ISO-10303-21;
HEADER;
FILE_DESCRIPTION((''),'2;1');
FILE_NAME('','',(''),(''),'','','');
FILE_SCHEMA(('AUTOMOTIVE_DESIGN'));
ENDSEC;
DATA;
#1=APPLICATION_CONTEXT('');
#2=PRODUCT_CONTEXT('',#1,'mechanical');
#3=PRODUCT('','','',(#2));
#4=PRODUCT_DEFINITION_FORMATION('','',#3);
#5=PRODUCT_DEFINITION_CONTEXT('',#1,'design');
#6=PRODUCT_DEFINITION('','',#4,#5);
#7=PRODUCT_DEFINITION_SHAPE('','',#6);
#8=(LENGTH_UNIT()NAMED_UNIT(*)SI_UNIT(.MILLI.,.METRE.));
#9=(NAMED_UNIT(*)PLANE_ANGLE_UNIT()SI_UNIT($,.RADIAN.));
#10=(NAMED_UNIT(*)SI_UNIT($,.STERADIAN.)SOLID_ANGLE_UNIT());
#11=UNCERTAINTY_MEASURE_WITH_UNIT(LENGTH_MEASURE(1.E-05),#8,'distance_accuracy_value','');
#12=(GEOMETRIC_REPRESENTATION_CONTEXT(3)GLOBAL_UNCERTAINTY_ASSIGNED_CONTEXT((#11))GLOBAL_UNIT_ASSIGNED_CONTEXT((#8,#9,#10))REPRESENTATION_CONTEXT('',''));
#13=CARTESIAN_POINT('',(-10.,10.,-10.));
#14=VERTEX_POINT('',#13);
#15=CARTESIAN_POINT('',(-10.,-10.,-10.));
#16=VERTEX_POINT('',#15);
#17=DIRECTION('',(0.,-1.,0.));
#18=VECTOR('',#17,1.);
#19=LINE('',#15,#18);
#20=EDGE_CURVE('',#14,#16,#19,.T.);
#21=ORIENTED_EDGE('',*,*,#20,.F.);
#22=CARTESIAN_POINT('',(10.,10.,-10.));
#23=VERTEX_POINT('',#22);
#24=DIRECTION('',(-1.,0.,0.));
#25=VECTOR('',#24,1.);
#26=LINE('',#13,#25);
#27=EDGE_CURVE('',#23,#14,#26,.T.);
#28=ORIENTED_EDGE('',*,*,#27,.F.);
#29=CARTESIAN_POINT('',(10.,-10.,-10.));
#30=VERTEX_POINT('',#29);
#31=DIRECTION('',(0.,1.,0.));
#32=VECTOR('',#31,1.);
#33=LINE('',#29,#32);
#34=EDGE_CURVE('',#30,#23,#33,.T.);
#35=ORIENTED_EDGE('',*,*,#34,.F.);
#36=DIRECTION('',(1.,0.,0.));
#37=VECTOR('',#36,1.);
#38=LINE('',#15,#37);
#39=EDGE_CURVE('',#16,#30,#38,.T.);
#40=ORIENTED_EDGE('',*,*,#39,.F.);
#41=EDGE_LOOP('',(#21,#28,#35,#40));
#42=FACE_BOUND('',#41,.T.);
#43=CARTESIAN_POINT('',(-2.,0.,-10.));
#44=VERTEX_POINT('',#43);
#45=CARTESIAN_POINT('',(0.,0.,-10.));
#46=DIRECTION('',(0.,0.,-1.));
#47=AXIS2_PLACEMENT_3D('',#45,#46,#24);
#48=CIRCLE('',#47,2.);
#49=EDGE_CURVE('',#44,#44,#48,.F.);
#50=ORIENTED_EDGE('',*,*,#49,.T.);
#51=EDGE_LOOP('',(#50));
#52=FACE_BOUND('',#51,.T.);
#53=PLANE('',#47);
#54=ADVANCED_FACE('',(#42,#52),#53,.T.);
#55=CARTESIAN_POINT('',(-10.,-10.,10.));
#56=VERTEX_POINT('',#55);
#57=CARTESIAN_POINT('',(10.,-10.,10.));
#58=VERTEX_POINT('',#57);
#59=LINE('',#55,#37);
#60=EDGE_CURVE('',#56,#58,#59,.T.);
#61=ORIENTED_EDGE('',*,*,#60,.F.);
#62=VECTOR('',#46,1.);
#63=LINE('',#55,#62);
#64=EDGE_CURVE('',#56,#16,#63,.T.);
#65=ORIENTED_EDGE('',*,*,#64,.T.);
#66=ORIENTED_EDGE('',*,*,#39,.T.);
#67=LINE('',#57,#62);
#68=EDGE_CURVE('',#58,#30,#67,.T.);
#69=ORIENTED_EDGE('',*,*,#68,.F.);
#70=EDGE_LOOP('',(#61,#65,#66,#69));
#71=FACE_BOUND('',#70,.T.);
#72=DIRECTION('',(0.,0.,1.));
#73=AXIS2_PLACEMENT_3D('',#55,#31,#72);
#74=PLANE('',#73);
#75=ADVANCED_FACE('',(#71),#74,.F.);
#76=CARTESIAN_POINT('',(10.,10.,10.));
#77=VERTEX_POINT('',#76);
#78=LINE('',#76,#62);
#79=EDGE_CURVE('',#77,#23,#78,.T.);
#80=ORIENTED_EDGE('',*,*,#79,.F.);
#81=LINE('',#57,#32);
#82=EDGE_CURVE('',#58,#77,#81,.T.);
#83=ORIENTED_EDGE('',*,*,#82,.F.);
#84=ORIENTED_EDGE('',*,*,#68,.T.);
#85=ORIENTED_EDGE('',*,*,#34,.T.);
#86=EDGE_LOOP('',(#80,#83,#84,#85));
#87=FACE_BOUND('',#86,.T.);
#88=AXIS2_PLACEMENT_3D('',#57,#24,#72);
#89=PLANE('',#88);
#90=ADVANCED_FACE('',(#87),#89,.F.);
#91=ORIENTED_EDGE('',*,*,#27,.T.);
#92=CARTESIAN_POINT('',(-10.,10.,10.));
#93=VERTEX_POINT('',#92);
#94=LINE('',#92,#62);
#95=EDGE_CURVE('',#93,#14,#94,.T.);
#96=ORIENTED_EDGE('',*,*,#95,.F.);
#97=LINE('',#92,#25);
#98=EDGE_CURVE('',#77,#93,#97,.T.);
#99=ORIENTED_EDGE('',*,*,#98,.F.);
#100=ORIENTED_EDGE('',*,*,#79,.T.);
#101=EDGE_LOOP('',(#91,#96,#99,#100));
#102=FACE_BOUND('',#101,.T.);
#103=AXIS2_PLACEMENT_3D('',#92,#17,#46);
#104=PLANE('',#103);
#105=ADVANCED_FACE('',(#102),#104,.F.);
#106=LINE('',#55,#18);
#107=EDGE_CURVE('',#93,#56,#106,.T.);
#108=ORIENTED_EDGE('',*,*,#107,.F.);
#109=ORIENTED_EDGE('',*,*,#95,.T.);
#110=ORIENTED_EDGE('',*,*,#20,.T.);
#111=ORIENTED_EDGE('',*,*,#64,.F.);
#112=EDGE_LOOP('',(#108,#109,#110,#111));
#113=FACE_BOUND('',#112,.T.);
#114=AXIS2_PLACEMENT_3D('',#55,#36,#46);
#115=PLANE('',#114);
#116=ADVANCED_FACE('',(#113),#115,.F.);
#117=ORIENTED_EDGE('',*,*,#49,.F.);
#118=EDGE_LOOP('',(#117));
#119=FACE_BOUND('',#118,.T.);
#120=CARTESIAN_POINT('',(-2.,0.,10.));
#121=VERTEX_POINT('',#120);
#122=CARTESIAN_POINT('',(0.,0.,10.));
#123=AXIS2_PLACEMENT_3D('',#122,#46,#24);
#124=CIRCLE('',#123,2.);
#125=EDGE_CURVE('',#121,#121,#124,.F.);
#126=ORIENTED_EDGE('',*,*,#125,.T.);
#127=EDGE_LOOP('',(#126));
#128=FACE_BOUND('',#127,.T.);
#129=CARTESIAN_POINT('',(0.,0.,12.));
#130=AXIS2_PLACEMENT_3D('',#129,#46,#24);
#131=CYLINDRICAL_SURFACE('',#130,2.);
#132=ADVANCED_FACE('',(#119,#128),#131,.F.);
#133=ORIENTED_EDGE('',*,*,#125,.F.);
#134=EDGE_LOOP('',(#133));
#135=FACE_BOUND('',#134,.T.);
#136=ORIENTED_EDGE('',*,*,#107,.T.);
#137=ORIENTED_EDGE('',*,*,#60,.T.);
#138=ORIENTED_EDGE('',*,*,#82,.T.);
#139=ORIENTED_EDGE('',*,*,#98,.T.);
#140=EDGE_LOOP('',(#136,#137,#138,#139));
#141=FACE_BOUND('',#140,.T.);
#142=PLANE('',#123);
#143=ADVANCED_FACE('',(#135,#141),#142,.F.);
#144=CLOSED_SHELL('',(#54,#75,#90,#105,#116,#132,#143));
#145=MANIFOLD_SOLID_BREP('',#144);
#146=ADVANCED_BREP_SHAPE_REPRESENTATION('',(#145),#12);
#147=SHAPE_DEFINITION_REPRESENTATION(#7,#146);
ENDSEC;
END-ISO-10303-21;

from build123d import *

# Parameters (mm, degrees)
TEST_BOX_START     = -10
TEST_BOX_PROFILE_W = 20
TEST_BOX_PROFILE_H = 20
TEST_BOX_DEPTH     = 20
TEST_CUT_START     = -12
TEST_CUT_PROFILE_R = 2
TEST_CUT_DEPTH     = 24


with BuildPart() as part:
    # Test_box_Profile → Test_box (new body)
    with BuildSketch(Plane.XY.offset(TEST_BOX_START)):
        Rectangle(TEST_BOX_PROFILE_W, TEST_BOX_PROFILE_H)
    extrude(amount=TEST_BOX_DEPTH)

    # Test_cut_Profile → Test_cut (cut)
    with BuildSketch(Plane.XY.offset(TEST_CUT_START)):
        with Locations(Location((0, 0, 0), (0, 0, 180))):
            Circle(TEST_CUT_PROFILE_R)
    extrude(amount=TEST_CUT_DEPTH, mode=Mode.SUBTRACT)


solid = part.part
